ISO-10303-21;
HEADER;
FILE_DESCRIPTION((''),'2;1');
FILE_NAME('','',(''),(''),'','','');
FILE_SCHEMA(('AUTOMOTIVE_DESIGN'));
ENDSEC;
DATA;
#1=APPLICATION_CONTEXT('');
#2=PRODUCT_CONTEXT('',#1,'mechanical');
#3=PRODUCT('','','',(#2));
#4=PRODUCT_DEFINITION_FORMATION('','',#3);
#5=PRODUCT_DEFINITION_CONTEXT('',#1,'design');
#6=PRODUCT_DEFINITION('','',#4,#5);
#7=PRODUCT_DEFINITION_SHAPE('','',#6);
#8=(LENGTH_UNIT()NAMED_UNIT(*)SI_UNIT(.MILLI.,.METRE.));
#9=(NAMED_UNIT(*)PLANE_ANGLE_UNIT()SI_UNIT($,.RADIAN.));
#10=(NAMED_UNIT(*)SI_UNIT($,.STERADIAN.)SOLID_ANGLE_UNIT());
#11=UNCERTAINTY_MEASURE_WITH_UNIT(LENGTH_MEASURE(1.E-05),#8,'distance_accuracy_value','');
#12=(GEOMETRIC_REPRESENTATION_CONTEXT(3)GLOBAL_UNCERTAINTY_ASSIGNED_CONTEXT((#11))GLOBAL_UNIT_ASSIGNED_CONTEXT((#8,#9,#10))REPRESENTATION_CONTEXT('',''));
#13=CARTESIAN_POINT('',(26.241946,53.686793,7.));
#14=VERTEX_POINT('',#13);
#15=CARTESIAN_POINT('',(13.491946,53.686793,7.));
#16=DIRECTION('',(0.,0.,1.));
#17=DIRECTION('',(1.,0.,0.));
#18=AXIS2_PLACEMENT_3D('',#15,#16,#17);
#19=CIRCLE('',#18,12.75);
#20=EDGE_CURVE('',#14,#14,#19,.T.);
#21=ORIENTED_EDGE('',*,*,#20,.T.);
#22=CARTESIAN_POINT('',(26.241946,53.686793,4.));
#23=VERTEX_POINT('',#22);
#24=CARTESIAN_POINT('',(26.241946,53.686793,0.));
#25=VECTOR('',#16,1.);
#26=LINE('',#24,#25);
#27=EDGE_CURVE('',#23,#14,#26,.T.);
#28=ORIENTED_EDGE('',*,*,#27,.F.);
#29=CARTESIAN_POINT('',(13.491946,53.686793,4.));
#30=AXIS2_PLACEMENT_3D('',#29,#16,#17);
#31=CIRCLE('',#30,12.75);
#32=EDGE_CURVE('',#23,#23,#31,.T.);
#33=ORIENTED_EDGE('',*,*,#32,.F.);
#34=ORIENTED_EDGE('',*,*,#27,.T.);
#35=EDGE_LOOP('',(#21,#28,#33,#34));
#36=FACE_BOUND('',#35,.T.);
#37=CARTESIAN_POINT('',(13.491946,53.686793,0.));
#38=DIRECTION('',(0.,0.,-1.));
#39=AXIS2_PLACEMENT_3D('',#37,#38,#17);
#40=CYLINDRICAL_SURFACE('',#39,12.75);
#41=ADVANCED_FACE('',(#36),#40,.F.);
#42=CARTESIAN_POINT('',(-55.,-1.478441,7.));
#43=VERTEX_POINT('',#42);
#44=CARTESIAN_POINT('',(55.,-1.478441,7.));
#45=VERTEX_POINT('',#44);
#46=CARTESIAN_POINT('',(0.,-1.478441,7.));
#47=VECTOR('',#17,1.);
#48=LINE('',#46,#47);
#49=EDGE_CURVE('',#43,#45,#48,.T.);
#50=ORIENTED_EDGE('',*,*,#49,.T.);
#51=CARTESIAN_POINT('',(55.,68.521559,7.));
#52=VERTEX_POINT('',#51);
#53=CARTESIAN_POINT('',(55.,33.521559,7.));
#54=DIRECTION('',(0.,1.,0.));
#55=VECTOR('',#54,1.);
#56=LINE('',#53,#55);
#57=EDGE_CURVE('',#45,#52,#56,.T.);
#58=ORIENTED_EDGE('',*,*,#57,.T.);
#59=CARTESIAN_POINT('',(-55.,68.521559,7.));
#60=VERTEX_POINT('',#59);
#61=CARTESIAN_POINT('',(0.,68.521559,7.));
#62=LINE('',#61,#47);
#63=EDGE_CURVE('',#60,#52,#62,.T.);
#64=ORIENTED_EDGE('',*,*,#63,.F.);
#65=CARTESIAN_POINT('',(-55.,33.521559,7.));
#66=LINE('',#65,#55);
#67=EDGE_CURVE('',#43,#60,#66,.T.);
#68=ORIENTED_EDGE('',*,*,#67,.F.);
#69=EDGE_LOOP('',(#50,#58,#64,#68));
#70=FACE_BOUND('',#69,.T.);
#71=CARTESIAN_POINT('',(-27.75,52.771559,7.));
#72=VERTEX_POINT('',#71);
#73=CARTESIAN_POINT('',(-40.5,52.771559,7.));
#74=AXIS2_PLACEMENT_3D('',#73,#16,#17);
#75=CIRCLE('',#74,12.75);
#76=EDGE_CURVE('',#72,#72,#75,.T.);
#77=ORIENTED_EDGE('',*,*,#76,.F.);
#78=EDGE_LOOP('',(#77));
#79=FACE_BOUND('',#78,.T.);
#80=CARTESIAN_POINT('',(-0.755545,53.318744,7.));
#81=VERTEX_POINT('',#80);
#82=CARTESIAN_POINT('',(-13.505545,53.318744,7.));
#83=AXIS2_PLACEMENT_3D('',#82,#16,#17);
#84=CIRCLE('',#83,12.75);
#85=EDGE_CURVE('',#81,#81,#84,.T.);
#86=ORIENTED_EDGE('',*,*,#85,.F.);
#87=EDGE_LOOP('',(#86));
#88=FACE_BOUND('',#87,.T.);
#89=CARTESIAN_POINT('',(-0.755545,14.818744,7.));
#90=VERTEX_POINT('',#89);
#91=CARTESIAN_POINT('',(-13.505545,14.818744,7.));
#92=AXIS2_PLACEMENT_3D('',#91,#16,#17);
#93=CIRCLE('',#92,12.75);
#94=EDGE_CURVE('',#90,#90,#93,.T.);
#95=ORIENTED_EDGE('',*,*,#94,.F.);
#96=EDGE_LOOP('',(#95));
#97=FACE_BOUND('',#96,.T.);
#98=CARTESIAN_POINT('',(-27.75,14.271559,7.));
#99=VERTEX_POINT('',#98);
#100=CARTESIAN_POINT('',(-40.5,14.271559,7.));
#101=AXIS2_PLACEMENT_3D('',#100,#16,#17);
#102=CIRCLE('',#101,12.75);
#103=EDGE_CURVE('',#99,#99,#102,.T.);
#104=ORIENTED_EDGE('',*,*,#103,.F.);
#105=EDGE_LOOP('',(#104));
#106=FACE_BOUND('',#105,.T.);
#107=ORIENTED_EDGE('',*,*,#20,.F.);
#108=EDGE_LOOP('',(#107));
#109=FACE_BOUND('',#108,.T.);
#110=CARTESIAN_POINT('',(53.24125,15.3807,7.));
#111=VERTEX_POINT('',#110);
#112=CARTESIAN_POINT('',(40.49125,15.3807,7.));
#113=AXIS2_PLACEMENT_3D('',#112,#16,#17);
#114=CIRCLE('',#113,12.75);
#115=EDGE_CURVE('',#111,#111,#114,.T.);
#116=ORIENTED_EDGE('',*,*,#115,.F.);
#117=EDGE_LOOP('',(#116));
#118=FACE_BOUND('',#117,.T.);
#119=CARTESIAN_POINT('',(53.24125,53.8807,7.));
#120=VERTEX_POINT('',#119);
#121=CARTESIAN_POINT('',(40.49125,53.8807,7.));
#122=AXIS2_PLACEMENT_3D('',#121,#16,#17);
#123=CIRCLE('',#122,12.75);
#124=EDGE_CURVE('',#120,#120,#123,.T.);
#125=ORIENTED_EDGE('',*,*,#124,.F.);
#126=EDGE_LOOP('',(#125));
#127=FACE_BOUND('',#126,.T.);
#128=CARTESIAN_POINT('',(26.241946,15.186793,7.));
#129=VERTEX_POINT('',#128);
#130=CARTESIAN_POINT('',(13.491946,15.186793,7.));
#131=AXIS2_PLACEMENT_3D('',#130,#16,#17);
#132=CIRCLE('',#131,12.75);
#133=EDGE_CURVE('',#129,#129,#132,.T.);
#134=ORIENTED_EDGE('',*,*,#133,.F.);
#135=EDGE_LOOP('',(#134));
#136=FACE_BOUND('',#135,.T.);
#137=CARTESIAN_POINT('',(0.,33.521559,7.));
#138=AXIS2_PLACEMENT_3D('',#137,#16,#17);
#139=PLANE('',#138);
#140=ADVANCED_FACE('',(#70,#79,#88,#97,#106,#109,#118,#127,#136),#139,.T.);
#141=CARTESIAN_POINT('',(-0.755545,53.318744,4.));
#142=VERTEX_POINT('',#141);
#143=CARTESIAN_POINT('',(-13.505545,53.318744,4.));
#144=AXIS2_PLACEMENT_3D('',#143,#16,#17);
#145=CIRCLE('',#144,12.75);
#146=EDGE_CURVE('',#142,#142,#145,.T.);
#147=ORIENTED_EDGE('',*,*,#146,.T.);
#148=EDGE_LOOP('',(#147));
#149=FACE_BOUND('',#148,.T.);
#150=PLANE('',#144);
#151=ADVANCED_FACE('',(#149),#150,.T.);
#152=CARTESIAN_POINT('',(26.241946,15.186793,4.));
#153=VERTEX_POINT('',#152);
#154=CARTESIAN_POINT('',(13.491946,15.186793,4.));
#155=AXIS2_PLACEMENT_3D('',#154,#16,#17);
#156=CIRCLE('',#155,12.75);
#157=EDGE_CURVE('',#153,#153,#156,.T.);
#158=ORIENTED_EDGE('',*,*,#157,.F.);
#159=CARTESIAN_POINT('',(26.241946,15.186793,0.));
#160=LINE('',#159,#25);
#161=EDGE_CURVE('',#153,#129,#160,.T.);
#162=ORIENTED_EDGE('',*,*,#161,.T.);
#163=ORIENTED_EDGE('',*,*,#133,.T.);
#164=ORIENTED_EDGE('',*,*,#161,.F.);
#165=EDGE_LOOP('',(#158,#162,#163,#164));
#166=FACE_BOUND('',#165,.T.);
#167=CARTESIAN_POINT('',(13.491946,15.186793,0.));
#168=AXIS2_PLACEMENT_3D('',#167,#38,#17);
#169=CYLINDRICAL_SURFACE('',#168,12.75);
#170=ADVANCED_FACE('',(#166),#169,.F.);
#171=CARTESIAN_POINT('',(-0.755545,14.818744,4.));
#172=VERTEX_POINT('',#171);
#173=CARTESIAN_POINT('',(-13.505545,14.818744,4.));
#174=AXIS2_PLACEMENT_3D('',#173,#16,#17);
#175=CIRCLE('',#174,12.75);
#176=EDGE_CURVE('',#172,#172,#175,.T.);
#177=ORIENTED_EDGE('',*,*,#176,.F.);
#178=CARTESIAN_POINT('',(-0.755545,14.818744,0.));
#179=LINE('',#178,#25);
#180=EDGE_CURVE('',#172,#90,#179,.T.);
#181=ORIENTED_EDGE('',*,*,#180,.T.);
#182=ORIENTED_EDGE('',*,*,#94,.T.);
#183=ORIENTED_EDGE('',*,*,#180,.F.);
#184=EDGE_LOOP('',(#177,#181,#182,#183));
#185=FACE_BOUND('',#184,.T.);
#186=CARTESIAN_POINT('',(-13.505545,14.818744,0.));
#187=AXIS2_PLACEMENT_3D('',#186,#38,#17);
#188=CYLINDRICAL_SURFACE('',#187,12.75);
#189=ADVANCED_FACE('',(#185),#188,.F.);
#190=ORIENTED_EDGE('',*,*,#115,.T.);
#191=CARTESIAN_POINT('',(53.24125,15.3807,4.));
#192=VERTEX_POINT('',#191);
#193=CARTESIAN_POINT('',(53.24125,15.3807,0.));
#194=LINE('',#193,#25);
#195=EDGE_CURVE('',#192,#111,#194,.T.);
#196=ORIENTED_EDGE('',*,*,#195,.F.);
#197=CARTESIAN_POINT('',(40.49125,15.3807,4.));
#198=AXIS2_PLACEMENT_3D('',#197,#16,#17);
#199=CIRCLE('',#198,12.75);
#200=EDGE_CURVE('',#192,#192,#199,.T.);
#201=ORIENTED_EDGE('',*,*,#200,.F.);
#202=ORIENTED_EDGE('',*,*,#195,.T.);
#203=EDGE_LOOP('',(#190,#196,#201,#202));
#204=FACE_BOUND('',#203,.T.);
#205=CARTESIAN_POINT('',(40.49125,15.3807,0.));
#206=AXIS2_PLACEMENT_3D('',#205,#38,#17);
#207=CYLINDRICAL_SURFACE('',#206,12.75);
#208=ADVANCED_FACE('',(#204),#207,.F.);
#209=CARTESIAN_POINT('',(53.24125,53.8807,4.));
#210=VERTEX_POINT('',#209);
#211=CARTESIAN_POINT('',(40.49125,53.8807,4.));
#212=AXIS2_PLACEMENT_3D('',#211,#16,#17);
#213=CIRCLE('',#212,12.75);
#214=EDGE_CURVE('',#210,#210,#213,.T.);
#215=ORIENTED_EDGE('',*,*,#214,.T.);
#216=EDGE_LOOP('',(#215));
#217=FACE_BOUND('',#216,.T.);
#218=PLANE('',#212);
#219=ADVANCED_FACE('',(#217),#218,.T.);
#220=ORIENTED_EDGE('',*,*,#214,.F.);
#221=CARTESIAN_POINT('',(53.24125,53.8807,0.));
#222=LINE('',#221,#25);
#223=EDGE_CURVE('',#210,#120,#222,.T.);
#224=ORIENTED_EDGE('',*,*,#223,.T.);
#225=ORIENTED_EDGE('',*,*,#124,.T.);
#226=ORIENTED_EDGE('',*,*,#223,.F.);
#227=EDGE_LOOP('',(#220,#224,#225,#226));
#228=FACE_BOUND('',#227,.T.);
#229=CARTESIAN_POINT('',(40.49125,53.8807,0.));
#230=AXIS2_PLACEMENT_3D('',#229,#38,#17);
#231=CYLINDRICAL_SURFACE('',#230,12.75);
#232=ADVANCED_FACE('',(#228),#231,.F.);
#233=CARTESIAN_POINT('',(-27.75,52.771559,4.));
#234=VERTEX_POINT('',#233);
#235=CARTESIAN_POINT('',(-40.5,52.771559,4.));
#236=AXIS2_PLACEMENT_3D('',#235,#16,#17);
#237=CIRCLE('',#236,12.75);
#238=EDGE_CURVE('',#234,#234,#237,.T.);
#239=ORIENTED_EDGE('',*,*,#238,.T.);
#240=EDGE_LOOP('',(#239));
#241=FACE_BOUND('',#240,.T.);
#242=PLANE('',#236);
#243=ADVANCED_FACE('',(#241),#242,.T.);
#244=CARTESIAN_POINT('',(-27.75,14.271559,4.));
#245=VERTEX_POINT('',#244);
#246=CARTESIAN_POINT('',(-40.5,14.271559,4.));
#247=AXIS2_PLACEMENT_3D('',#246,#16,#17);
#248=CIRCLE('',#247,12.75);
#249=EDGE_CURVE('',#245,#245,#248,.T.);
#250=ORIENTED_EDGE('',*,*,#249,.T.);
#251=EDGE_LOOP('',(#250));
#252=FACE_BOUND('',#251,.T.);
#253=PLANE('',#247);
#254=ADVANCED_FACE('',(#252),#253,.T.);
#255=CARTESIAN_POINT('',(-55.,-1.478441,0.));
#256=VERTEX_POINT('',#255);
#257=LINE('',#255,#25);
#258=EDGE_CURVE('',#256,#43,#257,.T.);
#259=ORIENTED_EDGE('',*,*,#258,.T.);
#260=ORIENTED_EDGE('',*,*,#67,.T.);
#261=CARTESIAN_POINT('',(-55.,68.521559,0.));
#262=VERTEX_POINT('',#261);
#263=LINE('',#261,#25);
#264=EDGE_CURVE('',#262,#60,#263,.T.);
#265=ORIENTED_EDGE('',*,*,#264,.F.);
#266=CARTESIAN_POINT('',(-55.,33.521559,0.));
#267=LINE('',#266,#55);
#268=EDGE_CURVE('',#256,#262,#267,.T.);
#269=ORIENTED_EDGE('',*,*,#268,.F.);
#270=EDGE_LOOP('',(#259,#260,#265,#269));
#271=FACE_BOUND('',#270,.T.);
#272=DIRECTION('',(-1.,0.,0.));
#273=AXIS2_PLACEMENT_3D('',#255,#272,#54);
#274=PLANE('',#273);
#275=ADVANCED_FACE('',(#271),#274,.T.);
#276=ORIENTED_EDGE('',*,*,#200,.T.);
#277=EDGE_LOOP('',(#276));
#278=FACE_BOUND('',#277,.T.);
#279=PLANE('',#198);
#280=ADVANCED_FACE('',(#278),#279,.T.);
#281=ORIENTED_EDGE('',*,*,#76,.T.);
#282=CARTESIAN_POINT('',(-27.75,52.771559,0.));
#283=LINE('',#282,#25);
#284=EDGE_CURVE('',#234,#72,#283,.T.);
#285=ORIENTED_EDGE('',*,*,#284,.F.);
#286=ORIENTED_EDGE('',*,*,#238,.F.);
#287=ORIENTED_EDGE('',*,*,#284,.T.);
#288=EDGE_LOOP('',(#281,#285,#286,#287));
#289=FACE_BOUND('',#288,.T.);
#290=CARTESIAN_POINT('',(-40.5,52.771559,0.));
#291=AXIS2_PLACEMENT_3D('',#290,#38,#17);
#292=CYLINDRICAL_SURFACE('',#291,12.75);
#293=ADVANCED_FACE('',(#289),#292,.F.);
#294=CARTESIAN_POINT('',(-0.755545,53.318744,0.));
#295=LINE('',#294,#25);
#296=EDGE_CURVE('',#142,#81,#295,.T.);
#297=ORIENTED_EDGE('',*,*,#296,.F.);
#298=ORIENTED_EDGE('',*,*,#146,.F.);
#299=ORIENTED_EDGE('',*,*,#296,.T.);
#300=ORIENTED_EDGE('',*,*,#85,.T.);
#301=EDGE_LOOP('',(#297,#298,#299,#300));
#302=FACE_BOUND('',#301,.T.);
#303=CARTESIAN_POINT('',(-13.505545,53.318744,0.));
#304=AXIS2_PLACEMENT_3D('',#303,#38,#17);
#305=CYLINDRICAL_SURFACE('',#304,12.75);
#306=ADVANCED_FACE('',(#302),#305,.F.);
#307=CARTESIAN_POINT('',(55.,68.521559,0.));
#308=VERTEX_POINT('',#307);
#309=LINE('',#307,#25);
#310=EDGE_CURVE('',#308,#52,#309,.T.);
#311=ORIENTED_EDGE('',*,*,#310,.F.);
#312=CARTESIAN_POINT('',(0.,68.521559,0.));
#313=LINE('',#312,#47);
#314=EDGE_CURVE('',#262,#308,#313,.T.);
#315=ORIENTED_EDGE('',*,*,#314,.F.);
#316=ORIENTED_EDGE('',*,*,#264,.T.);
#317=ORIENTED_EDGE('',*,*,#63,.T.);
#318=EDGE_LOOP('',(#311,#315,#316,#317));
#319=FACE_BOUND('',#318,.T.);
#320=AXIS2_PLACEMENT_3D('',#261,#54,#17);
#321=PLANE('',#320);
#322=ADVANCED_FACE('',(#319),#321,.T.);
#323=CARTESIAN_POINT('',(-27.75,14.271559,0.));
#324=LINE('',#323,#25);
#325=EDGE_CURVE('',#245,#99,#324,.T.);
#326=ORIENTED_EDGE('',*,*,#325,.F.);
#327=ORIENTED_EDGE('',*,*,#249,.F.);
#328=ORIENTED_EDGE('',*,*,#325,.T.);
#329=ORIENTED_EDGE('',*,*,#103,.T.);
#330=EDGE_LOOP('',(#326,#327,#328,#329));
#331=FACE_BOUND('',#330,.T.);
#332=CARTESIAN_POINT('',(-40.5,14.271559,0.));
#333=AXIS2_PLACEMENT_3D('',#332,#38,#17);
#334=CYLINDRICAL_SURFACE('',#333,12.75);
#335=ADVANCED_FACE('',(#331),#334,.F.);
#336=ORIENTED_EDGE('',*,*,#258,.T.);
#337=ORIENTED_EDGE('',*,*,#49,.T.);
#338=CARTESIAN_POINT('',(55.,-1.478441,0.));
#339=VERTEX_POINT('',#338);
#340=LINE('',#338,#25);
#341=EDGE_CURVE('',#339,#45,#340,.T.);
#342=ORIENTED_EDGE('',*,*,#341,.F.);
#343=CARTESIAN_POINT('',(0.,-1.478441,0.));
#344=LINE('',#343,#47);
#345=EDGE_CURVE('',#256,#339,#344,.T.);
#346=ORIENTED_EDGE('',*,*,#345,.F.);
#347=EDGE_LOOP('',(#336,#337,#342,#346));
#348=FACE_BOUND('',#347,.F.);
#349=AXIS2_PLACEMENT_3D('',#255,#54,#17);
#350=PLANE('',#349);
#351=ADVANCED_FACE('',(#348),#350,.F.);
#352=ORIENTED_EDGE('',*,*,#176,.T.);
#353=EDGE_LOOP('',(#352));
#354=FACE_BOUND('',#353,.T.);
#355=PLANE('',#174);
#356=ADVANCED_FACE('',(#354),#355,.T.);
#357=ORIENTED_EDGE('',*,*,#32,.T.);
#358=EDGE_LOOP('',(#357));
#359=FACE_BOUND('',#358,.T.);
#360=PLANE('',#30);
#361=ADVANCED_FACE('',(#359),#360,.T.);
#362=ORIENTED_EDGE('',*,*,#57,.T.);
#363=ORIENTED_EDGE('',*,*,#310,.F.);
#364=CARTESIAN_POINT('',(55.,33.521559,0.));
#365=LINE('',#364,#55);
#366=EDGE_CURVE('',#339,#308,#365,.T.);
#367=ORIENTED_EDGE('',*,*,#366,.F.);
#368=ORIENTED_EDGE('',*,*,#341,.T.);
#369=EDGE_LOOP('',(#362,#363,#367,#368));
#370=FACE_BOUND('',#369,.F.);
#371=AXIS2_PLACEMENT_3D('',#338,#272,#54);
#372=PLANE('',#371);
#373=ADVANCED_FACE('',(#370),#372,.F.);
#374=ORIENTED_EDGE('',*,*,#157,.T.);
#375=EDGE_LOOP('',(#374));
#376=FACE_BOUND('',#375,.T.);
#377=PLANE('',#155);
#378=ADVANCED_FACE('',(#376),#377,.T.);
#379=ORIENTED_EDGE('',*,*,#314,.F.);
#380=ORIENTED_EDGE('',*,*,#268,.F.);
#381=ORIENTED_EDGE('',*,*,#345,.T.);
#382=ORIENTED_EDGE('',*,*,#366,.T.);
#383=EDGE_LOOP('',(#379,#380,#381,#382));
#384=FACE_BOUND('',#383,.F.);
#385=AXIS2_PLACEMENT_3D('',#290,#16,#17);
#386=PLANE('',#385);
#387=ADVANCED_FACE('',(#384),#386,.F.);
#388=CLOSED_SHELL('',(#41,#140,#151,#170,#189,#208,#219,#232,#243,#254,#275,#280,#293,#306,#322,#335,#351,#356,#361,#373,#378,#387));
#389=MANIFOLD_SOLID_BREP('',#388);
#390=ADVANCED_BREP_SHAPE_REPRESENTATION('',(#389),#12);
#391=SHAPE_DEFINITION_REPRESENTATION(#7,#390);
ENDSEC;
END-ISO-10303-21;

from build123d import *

# Parameters (mm, degrees)
F0_W     = 110
F0_H     = 70
F0_R     = 12.75
F1_DEPTH = 7
F2_DEPTH = 4


with BuildPart() as f1:
    # F0 (on Top) → F1 (new body)
    with BuildSketch(Plane.XY):
        with Locations((0, 33.521559)):
            Rectangle(F0_W, F0_H)
        with Locations((-40.5, 14.271559)):
            Circle(F0_R, mode=Mode.SUBTRACT)
        with Locations((-13.505545, 14.818744)):
            Circle(F0_R, mode=Mode.SUBTRACT)
        with Locations((13.491946, 15.186793)):
            Circle(F0_R, mode=Mode.SUBTRACT)
        with Locations((40.49125, 15.3807)):
            Circle(F0_R, mode=Mode.SUBTRACT)
        with Locations((-40.5, 52.771559)):
            Circle(F0_R, mode=Mode.SUBTRACT)
        with Locations((-13.505545, 53.318744)):
            Circle(F0_R, mode=Mode.SUBTRACT)
        with Locations((13.491946, 53.686793)):
            Circle(F0_R, mode=Mode.SUBTRACT)
        with Locations((40.49125, 53.8807)):
            Circle(F0_R, mode=Mode.SUBTRACT)
    extrude(amount=F1_DEPTH)

    # F0 (on Top) → F2 (join)
    with BuildSketch(Plane.XY):
        with Locations((-40.5, 52.771559)):
            Circle(F0_R)
        with Locations((-13.505545, 53.318744)):
            Circle(F0_R)
        with Locations((13.491946, 53.686793)):
            Circle(F0_R)
        with Locations((40.49125, 53.8807)):
            Circle(F0_R)
        with Locations((40.49125, 15.3807)):
            Circle(F0_R)
        with Locations((13.491946, 15.186793)):
            Circle(F0_R)
        with Locations((-13.505545, 14.818744)):
            Circle(F0_R)
        with Locations((-40.5, 14.271559)):
            Circle(F0_R)
    extrude(amount=F2_DEPTH)


solid = f1.part
